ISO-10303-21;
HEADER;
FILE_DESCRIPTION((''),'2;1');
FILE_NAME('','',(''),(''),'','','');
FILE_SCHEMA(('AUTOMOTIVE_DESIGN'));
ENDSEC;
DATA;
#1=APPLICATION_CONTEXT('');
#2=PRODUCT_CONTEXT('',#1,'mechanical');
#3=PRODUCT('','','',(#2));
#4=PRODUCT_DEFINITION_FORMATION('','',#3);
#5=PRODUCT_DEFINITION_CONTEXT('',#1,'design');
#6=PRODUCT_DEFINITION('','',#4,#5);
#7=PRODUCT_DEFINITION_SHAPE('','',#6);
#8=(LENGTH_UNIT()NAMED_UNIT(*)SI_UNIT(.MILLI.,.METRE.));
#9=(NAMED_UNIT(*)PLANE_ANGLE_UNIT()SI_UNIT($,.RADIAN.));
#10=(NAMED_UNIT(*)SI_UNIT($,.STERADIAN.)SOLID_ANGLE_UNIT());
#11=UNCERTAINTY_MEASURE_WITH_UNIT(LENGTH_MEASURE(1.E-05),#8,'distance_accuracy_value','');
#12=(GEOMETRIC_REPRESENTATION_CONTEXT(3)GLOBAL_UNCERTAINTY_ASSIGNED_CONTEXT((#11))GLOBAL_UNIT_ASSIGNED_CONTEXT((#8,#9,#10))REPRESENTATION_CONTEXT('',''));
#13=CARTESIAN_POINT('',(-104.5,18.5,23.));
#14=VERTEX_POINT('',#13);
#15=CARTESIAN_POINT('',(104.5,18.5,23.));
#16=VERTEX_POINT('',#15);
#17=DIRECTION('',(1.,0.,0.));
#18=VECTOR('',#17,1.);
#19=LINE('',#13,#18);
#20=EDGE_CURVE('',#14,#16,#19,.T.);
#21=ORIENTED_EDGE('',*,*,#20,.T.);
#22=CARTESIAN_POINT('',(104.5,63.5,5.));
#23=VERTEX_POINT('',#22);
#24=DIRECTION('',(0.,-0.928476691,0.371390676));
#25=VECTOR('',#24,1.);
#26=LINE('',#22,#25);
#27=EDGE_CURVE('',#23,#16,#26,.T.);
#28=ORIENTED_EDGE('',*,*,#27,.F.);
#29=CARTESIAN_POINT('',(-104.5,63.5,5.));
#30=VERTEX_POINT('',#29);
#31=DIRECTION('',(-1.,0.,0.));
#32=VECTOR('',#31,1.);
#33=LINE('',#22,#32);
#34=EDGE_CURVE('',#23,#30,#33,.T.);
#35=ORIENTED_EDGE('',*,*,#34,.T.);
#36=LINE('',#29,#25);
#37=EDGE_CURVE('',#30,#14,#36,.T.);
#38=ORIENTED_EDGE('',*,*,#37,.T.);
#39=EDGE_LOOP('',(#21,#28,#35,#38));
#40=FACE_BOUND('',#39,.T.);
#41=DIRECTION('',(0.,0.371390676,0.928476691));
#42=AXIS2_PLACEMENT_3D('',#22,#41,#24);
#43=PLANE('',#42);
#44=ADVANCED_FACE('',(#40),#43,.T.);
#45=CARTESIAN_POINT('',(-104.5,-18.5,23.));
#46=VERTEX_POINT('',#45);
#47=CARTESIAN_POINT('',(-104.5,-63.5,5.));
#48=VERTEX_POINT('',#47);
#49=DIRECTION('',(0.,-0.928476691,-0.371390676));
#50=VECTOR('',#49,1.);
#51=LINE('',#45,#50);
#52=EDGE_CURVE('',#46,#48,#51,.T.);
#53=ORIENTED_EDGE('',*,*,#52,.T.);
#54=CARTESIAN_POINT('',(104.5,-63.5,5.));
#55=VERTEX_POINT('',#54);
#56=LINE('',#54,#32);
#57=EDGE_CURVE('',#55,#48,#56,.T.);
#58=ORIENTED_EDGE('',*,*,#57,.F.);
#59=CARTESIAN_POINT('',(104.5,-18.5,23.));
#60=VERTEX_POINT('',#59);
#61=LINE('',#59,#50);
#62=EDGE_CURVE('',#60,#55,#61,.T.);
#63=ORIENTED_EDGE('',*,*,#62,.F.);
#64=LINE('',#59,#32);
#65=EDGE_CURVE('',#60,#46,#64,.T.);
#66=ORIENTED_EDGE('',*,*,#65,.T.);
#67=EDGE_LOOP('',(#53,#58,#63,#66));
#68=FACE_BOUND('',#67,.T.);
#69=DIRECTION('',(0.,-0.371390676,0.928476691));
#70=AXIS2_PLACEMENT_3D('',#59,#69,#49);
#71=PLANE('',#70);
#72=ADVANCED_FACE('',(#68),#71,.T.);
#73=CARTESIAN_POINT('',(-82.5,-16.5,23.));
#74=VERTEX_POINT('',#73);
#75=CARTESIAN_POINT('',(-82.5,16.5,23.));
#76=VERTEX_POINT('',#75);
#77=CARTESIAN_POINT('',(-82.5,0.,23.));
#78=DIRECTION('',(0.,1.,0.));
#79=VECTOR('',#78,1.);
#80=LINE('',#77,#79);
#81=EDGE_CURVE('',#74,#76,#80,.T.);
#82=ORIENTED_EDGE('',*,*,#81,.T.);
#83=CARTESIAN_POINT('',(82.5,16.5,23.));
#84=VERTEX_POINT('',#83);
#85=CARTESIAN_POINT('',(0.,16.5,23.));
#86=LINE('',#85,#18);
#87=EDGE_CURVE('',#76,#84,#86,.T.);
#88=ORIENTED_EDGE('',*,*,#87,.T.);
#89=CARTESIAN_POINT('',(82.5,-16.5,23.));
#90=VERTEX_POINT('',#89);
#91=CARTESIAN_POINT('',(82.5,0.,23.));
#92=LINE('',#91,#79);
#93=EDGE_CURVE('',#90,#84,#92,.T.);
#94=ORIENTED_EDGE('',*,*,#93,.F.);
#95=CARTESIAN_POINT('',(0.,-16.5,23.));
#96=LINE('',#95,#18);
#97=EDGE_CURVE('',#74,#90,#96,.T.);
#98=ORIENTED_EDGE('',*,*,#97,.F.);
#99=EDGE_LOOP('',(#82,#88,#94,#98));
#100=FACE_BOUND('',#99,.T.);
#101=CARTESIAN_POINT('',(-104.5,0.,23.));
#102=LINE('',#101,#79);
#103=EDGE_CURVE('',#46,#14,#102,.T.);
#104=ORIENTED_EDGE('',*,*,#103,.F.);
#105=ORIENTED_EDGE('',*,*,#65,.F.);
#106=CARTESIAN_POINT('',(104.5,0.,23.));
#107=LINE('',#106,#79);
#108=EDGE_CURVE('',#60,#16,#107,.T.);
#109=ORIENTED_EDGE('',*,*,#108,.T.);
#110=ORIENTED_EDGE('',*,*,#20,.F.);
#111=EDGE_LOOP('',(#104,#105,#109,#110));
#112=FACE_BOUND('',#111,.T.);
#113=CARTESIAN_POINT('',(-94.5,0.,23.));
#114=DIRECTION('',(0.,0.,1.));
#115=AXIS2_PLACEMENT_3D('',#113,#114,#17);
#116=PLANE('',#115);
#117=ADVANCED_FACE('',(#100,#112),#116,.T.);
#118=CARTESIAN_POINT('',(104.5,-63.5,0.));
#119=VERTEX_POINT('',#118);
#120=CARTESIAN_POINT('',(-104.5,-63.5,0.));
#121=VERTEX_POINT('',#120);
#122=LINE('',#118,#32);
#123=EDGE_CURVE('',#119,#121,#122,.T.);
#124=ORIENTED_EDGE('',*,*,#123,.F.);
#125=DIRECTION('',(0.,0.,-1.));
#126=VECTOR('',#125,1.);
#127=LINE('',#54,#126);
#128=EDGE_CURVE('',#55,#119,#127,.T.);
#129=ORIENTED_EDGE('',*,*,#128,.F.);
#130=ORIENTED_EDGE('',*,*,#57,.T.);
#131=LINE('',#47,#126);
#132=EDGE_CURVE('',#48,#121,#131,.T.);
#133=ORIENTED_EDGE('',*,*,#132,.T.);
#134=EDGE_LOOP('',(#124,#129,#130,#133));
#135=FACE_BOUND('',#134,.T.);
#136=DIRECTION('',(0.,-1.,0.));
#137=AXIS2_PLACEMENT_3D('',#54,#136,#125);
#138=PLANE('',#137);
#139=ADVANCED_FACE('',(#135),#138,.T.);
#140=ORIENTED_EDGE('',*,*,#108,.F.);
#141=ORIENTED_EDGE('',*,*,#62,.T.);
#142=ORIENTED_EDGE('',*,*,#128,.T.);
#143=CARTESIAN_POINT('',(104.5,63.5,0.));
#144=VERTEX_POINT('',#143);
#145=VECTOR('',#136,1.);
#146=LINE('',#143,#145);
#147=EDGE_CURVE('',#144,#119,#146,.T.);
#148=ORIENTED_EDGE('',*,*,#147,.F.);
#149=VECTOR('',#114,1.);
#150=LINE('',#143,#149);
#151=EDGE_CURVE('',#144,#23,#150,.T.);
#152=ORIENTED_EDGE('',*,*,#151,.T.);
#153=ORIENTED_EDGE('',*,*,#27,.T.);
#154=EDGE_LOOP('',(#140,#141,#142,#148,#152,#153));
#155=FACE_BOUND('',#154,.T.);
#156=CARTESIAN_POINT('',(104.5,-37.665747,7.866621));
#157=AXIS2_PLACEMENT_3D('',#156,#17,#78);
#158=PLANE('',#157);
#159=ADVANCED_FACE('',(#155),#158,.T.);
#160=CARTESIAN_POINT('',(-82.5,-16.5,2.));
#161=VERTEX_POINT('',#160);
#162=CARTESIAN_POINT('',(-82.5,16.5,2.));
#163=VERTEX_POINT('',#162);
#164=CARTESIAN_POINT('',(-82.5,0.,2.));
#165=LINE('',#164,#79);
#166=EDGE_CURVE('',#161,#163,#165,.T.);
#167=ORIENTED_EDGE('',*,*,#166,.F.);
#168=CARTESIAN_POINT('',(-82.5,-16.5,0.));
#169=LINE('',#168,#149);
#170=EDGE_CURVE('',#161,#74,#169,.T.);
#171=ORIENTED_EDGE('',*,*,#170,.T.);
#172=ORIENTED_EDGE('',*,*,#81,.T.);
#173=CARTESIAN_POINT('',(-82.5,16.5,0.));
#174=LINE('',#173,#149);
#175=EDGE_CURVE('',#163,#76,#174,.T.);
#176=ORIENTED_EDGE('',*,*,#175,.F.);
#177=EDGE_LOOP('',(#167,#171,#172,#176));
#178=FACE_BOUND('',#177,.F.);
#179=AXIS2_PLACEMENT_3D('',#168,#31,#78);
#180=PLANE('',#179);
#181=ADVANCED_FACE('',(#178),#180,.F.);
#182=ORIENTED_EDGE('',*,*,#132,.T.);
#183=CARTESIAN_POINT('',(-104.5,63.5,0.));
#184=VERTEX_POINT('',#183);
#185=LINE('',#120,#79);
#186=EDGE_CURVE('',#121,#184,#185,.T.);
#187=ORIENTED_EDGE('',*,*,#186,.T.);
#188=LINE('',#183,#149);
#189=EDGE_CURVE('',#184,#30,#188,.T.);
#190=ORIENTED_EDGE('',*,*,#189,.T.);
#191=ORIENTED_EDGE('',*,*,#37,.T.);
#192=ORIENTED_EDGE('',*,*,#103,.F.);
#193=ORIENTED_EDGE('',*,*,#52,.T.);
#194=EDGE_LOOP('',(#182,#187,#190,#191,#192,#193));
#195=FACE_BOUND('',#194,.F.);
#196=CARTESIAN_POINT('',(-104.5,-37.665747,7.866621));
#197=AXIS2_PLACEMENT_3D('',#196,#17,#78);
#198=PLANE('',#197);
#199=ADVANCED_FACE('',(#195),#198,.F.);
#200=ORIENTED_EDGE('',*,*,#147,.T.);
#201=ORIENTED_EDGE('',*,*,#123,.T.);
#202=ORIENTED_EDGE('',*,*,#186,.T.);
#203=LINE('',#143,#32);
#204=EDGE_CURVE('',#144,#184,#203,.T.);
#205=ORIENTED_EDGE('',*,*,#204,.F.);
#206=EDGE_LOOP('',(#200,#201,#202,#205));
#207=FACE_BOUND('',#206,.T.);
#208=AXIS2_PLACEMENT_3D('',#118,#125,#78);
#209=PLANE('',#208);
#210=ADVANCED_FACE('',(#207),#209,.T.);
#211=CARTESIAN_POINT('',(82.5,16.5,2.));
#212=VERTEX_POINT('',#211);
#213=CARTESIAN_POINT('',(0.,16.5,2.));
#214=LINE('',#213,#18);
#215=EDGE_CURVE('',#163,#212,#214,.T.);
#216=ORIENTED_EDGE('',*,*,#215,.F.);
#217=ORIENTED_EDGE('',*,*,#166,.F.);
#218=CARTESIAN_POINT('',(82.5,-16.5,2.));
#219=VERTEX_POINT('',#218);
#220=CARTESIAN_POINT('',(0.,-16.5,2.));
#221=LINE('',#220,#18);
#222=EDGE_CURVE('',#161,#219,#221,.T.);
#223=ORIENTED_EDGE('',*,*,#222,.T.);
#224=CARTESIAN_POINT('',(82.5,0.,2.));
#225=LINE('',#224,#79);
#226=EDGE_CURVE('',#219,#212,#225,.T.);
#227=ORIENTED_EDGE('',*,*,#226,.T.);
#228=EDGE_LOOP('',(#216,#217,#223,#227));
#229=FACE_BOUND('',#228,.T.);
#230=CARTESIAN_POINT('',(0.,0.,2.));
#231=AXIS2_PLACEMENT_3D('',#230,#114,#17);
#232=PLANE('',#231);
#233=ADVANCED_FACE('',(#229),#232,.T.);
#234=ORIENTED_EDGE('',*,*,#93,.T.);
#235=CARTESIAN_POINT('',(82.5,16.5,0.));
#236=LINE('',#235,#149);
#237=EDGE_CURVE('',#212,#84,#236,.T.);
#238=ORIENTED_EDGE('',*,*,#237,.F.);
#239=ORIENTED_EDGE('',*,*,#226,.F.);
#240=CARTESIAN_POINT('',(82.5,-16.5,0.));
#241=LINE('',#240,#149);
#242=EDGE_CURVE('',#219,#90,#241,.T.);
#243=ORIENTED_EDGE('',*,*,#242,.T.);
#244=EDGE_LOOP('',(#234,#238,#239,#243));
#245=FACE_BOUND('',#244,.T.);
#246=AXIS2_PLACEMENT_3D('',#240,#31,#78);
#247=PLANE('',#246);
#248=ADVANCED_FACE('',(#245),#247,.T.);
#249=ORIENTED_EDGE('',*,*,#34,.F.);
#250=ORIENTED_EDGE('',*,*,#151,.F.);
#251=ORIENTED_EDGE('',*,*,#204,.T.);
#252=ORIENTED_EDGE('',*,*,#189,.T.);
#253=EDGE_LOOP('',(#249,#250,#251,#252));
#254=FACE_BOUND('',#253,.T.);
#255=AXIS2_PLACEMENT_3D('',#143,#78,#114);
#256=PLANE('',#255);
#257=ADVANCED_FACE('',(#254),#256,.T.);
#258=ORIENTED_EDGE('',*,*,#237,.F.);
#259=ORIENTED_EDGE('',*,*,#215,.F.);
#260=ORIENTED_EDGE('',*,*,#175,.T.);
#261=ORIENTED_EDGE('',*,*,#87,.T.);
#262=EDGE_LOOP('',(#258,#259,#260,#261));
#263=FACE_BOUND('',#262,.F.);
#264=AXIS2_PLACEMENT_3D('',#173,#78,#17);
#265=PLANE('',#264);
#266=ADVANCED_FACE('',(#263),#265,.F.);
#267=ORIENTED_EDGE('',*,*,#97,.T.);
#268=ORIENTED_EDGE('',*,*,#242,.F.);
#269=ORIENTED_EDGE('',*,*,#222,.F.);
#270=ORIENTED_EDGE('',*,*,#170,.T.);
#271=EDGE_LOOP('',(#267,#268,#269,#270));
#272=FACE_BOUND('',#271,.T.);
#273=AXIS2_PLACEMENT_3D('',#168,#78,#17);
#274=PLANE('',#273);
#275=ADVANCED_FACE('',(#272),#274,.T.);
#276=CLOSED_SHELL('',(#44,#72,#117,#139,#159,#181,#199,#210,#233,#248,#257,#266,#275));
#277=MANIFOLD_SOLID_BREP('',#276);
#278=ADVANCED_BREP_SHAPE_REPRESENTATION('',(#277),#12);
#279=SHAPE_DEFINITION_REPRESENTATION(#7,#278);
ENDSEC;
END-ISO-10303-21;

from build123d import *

# Parameters (mm, degrees)
F0_W     = 165
F0_H     = 33
F1_DEPTH = 2
F0_W_2   = 169
F0_H_2   = 37
F2_DEPTH = 23
F0_W_3   = 20
F3_DEPTH = 23
F5_DEPTH = 209


with BuildPart() as f1:
    # F0 (on Top) → F1 (new body)
    with BuildSketch(Plane.XY):
        Rectangle(F0_W, F0_H)
    extrude(amount=F1_DEPTH)

    # F0 (on Top) → F2 (join)
    with BuildSketch(Plane.XY):
        Rectangle(F0_W_2, F0_H_2)
        Rectangle(F0_W, F0_H, mode=Mode.SUBTRACT)
    extrude(amount=F2_DEPTH)

    # F0 (on Top) → F3 (join)
    with BuildSketch(Plane.XY):
        with Locations((-94.5, 0)):
            Rectangle(F0_W_3, F0_H_2)
        with Locations((94.5, 0)):
            Rectangle(F0_W_3, F0_H_2)
    extrude(amount=F3_DEPTH)

    # F4 (on face) → F5 (join)
    with BuildSketch(Plane.YZ.offset(104.5)):
        Polygon((-63.5, 0), (-18.5, 0), (-18.5, 23), (-63.5, 5), align=None)
        Polygon((18.5, 23), (18.5, 0), (63.5, 0), (63.5, 5), align=None)
    extrude(amount=-F5_DEPTH)


solid = f1.part
